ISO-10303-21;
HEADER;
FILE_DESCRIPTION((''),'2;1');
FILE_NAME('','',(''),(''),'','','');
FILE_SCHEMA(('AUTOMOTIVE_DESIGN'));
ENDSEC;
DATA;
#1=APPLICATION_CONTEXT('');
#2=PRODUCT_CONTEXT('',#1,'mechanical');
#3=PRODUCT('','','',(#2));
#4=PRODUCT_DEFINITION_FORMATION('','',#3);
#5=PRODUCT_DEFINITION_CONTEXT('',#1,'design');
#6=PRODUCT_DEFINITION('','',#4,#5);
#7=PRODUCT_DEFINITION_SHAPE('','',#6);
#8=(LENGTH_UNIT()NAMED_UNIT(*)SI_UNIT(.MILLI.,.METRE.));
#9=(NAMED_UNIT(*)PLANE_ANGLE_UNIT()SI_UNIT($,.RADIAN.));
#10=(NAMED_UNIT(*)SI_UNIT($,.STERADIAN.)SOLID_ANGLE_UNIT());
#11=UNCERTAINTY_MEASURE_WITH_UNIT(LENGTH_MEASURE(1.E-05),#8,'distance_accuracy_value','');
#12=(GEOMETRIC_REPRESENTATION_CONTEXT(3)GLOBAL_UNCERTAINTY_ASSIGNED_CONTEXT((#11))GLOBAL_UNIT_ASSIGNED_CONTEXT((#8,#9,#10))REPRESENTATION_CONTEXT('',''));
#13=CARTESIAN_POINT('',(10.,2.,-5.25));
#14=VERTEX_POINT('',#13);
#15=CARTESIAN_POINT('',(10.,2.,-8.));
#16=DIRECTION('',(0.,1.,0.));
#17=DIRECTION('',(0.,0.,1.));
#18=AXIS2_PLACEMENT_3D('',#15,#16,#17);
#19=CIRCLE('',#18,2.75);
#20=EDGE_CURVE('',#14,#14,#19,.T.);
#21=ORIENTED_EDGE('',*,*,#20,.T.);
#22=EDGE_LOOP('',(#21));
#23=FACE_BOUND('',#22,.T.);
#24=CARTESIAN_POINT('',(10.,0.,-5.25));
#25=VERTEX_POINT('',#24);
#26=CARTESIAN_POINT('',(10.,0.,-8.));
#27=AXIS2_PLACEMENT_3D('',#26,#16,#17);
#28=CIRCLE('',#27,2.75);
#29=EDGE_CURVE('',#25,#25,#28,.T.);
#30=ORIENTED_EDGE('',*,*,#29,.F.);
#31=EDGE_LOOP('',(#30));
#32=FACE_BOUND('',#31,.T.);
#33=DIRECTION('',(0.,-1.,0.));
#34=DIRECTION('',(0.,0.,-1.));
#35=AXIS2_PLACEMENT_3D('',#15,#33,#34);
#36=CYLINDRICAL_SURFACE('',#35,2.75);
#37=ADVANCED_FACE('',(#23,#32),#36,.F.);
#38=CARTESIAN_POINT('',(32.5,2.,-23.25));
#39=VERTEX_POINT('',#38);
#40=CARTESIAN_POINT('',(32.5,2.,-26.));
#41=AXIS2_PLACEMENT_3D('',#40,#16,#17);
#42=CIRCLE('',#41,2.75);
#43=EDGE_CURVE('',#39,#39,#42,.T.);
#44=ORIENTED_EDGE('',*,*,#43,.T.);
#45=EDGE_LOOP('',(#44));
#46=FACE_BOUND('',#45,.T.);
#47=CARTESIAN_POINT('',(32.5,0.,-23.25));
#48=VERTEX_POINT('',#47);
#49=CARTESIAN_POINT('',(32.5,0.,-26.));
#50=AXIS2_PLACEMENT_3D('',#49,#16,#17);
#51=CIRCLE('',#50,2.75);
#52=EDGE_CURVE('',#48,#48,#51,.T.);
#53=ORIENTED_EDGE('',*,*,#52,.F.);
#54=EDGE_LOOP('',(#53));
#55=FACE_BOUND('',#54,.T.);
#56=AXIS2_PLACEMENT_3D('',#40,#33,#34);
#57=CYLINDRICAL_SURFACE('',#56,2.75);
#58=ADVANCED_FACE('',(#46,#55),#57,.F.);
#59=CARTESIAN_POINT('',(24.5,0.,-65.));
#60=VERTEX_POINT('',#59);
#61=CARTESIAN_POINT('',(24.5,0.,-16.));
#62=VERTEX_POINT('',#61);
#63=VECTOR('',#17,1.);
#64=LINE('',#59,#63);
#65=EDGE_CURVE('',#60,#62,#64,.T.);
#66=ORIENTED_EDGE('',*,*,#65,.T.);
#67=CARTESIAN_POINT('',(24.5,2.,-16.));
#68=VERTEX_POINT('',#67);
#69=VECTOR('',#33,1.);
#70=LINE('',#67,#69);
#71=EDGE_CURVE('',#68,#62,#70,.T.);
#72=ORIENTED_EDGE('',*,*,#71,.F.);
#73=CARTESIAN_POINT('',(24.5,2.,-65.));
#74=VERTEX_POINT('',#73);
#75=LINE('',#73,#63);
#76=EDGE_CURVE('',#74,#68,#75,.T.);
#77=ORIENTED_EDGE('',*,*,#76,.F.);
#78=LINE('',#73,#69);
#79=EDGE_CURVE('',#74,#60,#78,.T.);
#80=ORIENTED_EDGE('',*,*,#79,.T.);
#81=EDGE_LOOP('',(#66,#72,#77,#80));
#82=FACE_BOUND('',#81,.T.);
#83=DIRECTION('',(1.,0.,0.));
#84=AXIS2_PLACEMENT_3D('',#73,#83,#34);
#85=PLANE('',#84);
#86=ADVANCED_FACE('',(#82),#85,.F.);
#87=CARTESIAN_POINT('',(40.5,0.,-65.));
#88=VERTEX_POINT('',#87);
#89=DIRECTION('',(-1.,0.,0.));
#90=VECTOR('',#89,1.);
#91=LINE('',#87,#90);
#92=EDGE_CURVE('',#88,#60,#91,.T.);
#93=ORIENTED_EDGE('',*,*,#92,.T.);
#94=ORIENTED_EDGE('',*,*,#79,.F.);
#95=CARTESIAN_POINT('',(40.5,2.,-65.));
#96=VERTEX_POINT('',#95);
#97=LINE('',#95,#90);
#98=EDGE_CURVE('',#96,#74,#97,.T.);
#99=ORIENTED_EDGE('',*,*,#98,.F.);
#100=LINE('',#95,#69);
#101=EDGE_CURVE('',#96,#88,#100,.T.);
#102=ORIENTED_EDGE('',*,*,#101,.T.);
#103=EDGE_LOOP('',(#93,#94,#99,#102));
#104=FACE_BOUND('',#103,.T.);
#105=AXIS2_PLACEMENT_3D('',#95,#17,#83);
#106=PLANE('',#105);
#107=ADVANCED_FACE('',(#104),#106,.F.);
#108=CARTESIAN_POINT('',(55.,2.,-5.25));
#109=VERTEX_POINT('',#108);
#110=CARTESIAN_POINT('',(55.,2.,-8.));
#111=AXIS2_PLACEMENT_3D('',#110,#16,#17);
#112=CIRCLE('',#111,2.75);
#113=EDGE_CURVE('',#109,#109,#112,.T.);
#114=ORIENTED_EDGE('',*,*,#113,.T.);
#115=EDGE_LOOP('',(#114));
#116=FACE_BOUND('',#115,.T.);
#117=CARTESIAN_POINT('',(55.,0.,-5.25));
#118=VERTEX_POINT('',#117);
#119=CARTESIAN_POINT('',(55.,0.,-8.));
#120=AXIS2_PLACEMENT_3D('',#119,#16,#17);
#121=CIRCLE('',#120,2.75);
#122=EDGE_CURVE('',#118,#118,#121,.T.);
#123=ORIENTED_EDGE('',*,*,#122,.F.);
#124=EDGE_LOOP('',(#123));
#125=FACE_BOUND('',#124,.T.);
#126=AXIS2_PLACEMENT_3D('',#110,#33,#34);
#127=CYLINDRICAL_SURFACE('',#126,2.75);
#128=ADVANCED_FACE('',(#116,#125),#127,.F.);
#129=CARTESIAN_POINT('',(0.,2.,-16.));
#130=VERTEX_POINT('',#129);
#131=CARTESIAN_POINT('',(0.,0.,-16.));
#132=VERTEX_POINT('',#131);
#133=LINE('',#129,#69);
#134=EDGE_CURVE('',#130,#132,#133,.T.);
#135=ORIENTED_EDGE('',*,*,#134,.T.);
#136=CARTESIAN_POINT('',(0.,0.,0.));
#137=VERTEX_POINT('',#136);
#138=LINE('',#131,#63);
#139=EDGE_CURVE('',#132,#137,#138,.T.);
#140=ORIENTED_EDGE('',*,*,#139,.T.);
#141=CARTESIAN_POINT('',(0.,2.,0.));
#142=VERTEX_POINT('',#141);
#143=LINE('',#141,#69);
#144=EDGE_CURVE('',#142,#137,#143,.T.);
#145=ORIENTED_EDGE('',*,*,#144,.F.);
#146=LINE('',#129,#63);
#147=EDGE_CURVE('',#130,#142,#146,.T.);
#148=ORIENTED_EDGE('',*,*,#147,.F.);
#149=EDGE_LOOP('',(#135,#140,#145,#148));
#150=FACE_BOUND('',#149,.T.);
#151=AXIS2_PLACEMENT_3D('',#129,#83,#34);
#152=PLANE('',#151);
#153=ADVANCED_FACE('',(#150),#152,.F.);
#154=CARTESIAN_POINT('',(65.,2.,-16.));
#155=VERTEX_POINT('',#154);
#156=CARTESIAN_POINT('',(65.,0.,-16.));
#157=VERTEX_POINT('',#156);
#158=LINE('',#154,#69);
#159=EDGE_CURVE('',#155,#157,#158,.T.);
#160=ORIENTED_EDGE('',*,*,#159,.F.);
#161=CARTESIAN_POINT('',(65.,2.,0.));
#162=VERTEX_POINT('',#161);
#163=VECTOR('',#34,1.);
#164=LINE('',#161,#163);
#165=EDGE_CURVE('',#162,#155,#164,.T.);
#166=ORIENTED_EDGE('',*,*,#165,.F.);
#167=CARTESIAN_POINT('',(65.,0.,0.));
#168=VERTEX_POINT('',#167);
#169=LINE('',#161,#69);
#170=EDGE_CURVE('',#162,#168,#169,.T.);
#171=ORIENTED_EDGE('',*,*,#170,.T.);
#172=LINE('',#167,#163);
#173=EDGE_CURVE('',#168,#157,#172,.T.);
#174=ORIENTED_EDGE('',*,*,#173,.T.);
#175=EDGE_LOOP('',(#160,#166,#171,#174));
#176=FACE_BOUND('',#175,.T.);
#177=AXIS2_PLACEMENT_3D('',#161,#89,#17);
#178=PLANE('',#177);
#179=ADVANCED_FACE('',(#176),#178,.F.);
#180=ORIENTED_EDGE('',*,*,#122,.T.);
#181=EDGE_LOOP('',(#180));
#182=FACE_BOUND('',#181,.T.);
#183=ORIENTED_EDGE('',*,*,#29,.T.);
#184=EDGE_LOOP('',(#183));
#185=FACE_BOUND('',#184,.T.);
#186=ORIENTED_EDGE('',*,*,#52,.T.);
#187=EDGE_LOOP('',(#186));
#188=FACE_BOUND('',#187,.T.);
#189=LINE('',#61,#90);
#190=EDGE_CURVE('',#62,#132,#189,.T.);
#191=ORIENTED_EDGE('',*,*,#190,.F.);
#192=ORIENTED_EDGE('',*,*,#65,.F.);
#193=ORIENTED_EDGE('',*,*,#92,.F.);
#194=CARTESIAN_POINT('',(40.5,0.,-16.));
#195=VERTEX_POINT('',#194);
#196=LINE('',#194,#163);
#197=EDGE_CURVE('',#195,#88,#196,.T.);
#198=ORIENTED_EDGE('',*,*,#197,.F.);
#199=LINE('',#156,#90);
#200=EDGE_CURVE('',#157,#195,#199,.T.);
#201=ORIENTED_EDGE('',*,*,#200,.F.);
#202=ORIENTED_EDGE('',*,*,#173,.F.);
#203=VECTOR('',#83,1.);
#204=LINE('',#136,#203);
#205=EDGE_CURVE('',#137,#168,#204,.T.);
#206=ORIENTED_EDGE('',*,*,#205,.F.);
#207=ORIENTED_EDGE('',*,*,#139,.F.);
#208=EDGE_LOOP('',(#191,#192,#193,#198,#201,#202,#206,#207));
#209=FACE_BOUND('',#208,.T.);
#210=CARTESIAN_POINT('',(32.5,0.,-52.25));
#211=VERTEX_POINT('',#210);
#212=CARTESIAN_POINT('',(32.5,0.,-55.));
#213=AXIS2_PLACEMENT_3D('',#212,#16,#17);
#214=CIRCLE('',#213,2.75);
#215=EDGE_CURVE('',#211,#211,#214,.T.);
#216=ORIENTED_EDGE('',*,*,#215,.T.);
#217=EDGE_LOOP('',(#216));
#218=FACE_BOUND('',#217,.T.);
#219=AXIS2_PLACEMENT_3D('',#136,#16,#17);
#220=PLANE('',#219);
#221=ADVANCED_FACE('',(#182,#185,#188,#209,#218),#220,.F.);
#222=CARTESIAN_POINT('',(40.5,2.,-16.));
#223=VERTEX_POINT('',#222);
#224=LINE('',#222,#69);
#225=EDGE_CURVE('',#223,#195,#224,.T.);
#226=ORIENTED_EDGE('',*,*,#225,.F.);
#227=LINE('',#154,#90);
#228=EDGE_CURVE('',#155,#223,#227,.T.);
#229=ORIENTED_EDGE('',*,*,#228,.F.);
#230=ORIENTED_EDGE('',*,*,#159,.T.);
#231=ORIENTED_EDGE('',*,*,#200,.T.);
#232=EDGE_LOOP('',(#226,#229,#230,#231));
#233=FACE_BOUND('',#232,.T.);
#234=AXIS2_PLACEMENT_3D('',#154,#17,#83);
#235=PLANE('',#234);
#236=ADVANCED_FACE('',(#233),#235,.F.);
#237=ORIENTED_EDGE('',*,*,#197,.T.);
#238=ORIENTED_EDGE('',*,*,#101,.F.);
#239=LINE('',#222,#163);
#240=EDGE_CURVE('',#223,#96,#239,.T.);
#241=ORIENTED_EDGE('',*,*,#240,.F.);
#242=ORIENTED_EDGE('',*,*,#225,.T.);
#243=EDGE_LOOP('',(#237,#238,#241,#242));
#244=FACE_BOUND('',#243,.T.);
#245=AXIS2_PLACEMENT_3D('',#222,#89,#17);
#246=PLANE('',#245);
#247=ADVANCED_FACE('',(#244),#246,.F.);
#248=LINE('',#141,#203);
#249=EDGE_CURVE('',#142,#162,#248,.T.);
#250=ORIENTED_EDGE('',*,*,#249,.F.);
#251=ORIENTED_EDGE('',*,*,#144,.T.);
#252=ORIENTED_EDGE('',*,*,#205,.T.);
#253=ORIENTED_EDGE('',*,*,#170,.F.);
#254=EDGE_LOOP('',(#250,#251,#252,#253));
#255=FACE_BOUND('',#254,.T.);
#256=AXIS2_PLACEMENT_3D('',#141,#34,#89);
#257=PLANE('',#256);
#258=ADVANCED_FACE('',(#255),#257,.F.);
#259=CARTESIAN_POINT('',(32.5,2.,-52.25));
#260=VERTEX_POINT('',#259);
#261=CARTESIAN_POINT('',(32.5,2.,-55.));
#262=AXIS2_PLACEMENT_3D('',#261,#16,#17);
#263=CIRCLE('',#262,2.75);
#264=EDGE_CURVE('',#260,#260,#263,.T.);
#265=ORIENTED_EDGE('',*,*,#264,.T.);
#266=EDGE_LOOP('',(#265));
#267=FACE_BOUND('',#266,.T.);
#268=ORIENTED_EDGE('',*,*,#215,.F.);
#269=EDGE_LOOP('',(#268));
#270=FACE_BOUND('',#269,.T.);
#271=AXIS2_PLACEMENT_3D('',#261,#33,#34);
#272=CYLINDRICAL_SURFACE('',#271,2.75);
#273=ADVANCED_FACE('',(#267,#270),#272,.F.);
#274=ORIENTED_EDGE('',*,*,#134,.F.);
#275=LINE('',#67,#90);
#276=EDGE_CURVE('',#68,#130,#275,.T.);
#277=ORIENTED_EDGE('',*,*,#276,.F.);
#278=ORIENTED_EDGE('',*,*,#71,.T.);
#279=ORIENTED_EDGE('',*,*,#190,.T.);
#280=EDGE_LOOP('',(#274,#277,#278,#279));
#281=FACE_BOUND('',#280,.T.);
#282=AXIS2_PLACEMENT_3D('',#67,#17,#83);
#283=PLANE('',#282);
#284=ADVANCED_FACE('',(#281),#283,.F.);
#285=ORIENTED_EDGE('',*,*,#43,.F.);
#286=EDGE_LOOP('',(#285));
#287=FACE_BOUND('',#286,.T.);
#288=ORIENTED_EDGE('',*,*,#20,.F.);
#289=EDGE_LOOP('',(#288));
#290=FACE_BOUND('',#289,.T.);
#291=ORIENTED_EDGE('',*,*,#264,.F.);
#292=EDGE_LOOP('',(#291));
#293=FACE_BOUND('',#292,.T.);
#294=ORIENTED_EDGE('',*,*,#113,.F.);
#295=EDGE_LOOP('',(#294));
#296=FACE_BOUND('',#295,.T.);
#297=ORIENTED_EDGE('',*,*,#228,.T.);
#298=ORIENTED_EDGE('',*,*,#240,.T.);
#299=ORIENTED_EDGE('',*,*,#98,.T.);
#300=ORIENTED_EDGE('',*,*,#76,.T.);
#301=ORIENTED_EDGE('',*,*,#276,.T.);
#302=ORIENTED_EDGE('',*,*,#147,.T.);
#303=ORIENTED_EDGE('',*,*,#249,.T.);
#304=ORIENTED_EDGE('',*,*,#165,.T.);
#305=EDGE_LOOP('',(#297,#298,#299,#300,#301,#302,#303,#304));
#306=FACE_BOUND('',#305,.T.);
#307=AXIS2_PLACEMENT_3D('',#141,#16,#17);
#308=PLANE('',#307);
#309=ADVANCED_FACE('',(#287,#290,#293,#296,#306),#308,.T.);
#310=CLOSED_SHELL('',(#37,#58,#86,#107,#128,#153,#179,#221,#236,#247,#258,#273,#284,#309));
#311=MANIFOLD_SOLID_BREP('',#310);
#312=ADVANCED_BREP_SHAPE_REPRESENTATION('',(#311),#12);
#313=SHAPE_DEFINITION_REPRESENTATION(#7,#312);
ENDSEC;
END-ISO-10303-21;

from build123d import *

# Parameters (mm, degrees)
SKETCH_1_R      = 2.75
EXTRUDE_1_DEPTH = 2


with BuildPart() as part:
    # 草图1 → 凸台-拉伸1 (new body)
    with BuildSketch(Plane(origin=(0, 0, 0), x_dir=(1, 0, 0), z_dir=(0, 1, 0))):
        Polygon((0, 0), (65, 0), (65, 16), (40.5, 16), (40.5, 65), (24.5, 65), (24.5, 16), (0, 16), align=None)
        with Locations((10, 8)):
            Circle(SKETCH_1_R, mode=Mode.SUBTRACT)
        with Locations((55, 8)):
            Circle(SKETCH_1_R, mode=Mode.SUBTRACT)
        with Locations((32.5, 55)):
            Circle(SKETCH_1_R, mode=Mode.SUBTRACT)
        with Locations((32.5, 26)):
            Circle(SKETCH_1_R, mode=Mode.SUBTRACT)
    extrude(amount=EXTRUDE_1_DEPTH)


solid = part.part
